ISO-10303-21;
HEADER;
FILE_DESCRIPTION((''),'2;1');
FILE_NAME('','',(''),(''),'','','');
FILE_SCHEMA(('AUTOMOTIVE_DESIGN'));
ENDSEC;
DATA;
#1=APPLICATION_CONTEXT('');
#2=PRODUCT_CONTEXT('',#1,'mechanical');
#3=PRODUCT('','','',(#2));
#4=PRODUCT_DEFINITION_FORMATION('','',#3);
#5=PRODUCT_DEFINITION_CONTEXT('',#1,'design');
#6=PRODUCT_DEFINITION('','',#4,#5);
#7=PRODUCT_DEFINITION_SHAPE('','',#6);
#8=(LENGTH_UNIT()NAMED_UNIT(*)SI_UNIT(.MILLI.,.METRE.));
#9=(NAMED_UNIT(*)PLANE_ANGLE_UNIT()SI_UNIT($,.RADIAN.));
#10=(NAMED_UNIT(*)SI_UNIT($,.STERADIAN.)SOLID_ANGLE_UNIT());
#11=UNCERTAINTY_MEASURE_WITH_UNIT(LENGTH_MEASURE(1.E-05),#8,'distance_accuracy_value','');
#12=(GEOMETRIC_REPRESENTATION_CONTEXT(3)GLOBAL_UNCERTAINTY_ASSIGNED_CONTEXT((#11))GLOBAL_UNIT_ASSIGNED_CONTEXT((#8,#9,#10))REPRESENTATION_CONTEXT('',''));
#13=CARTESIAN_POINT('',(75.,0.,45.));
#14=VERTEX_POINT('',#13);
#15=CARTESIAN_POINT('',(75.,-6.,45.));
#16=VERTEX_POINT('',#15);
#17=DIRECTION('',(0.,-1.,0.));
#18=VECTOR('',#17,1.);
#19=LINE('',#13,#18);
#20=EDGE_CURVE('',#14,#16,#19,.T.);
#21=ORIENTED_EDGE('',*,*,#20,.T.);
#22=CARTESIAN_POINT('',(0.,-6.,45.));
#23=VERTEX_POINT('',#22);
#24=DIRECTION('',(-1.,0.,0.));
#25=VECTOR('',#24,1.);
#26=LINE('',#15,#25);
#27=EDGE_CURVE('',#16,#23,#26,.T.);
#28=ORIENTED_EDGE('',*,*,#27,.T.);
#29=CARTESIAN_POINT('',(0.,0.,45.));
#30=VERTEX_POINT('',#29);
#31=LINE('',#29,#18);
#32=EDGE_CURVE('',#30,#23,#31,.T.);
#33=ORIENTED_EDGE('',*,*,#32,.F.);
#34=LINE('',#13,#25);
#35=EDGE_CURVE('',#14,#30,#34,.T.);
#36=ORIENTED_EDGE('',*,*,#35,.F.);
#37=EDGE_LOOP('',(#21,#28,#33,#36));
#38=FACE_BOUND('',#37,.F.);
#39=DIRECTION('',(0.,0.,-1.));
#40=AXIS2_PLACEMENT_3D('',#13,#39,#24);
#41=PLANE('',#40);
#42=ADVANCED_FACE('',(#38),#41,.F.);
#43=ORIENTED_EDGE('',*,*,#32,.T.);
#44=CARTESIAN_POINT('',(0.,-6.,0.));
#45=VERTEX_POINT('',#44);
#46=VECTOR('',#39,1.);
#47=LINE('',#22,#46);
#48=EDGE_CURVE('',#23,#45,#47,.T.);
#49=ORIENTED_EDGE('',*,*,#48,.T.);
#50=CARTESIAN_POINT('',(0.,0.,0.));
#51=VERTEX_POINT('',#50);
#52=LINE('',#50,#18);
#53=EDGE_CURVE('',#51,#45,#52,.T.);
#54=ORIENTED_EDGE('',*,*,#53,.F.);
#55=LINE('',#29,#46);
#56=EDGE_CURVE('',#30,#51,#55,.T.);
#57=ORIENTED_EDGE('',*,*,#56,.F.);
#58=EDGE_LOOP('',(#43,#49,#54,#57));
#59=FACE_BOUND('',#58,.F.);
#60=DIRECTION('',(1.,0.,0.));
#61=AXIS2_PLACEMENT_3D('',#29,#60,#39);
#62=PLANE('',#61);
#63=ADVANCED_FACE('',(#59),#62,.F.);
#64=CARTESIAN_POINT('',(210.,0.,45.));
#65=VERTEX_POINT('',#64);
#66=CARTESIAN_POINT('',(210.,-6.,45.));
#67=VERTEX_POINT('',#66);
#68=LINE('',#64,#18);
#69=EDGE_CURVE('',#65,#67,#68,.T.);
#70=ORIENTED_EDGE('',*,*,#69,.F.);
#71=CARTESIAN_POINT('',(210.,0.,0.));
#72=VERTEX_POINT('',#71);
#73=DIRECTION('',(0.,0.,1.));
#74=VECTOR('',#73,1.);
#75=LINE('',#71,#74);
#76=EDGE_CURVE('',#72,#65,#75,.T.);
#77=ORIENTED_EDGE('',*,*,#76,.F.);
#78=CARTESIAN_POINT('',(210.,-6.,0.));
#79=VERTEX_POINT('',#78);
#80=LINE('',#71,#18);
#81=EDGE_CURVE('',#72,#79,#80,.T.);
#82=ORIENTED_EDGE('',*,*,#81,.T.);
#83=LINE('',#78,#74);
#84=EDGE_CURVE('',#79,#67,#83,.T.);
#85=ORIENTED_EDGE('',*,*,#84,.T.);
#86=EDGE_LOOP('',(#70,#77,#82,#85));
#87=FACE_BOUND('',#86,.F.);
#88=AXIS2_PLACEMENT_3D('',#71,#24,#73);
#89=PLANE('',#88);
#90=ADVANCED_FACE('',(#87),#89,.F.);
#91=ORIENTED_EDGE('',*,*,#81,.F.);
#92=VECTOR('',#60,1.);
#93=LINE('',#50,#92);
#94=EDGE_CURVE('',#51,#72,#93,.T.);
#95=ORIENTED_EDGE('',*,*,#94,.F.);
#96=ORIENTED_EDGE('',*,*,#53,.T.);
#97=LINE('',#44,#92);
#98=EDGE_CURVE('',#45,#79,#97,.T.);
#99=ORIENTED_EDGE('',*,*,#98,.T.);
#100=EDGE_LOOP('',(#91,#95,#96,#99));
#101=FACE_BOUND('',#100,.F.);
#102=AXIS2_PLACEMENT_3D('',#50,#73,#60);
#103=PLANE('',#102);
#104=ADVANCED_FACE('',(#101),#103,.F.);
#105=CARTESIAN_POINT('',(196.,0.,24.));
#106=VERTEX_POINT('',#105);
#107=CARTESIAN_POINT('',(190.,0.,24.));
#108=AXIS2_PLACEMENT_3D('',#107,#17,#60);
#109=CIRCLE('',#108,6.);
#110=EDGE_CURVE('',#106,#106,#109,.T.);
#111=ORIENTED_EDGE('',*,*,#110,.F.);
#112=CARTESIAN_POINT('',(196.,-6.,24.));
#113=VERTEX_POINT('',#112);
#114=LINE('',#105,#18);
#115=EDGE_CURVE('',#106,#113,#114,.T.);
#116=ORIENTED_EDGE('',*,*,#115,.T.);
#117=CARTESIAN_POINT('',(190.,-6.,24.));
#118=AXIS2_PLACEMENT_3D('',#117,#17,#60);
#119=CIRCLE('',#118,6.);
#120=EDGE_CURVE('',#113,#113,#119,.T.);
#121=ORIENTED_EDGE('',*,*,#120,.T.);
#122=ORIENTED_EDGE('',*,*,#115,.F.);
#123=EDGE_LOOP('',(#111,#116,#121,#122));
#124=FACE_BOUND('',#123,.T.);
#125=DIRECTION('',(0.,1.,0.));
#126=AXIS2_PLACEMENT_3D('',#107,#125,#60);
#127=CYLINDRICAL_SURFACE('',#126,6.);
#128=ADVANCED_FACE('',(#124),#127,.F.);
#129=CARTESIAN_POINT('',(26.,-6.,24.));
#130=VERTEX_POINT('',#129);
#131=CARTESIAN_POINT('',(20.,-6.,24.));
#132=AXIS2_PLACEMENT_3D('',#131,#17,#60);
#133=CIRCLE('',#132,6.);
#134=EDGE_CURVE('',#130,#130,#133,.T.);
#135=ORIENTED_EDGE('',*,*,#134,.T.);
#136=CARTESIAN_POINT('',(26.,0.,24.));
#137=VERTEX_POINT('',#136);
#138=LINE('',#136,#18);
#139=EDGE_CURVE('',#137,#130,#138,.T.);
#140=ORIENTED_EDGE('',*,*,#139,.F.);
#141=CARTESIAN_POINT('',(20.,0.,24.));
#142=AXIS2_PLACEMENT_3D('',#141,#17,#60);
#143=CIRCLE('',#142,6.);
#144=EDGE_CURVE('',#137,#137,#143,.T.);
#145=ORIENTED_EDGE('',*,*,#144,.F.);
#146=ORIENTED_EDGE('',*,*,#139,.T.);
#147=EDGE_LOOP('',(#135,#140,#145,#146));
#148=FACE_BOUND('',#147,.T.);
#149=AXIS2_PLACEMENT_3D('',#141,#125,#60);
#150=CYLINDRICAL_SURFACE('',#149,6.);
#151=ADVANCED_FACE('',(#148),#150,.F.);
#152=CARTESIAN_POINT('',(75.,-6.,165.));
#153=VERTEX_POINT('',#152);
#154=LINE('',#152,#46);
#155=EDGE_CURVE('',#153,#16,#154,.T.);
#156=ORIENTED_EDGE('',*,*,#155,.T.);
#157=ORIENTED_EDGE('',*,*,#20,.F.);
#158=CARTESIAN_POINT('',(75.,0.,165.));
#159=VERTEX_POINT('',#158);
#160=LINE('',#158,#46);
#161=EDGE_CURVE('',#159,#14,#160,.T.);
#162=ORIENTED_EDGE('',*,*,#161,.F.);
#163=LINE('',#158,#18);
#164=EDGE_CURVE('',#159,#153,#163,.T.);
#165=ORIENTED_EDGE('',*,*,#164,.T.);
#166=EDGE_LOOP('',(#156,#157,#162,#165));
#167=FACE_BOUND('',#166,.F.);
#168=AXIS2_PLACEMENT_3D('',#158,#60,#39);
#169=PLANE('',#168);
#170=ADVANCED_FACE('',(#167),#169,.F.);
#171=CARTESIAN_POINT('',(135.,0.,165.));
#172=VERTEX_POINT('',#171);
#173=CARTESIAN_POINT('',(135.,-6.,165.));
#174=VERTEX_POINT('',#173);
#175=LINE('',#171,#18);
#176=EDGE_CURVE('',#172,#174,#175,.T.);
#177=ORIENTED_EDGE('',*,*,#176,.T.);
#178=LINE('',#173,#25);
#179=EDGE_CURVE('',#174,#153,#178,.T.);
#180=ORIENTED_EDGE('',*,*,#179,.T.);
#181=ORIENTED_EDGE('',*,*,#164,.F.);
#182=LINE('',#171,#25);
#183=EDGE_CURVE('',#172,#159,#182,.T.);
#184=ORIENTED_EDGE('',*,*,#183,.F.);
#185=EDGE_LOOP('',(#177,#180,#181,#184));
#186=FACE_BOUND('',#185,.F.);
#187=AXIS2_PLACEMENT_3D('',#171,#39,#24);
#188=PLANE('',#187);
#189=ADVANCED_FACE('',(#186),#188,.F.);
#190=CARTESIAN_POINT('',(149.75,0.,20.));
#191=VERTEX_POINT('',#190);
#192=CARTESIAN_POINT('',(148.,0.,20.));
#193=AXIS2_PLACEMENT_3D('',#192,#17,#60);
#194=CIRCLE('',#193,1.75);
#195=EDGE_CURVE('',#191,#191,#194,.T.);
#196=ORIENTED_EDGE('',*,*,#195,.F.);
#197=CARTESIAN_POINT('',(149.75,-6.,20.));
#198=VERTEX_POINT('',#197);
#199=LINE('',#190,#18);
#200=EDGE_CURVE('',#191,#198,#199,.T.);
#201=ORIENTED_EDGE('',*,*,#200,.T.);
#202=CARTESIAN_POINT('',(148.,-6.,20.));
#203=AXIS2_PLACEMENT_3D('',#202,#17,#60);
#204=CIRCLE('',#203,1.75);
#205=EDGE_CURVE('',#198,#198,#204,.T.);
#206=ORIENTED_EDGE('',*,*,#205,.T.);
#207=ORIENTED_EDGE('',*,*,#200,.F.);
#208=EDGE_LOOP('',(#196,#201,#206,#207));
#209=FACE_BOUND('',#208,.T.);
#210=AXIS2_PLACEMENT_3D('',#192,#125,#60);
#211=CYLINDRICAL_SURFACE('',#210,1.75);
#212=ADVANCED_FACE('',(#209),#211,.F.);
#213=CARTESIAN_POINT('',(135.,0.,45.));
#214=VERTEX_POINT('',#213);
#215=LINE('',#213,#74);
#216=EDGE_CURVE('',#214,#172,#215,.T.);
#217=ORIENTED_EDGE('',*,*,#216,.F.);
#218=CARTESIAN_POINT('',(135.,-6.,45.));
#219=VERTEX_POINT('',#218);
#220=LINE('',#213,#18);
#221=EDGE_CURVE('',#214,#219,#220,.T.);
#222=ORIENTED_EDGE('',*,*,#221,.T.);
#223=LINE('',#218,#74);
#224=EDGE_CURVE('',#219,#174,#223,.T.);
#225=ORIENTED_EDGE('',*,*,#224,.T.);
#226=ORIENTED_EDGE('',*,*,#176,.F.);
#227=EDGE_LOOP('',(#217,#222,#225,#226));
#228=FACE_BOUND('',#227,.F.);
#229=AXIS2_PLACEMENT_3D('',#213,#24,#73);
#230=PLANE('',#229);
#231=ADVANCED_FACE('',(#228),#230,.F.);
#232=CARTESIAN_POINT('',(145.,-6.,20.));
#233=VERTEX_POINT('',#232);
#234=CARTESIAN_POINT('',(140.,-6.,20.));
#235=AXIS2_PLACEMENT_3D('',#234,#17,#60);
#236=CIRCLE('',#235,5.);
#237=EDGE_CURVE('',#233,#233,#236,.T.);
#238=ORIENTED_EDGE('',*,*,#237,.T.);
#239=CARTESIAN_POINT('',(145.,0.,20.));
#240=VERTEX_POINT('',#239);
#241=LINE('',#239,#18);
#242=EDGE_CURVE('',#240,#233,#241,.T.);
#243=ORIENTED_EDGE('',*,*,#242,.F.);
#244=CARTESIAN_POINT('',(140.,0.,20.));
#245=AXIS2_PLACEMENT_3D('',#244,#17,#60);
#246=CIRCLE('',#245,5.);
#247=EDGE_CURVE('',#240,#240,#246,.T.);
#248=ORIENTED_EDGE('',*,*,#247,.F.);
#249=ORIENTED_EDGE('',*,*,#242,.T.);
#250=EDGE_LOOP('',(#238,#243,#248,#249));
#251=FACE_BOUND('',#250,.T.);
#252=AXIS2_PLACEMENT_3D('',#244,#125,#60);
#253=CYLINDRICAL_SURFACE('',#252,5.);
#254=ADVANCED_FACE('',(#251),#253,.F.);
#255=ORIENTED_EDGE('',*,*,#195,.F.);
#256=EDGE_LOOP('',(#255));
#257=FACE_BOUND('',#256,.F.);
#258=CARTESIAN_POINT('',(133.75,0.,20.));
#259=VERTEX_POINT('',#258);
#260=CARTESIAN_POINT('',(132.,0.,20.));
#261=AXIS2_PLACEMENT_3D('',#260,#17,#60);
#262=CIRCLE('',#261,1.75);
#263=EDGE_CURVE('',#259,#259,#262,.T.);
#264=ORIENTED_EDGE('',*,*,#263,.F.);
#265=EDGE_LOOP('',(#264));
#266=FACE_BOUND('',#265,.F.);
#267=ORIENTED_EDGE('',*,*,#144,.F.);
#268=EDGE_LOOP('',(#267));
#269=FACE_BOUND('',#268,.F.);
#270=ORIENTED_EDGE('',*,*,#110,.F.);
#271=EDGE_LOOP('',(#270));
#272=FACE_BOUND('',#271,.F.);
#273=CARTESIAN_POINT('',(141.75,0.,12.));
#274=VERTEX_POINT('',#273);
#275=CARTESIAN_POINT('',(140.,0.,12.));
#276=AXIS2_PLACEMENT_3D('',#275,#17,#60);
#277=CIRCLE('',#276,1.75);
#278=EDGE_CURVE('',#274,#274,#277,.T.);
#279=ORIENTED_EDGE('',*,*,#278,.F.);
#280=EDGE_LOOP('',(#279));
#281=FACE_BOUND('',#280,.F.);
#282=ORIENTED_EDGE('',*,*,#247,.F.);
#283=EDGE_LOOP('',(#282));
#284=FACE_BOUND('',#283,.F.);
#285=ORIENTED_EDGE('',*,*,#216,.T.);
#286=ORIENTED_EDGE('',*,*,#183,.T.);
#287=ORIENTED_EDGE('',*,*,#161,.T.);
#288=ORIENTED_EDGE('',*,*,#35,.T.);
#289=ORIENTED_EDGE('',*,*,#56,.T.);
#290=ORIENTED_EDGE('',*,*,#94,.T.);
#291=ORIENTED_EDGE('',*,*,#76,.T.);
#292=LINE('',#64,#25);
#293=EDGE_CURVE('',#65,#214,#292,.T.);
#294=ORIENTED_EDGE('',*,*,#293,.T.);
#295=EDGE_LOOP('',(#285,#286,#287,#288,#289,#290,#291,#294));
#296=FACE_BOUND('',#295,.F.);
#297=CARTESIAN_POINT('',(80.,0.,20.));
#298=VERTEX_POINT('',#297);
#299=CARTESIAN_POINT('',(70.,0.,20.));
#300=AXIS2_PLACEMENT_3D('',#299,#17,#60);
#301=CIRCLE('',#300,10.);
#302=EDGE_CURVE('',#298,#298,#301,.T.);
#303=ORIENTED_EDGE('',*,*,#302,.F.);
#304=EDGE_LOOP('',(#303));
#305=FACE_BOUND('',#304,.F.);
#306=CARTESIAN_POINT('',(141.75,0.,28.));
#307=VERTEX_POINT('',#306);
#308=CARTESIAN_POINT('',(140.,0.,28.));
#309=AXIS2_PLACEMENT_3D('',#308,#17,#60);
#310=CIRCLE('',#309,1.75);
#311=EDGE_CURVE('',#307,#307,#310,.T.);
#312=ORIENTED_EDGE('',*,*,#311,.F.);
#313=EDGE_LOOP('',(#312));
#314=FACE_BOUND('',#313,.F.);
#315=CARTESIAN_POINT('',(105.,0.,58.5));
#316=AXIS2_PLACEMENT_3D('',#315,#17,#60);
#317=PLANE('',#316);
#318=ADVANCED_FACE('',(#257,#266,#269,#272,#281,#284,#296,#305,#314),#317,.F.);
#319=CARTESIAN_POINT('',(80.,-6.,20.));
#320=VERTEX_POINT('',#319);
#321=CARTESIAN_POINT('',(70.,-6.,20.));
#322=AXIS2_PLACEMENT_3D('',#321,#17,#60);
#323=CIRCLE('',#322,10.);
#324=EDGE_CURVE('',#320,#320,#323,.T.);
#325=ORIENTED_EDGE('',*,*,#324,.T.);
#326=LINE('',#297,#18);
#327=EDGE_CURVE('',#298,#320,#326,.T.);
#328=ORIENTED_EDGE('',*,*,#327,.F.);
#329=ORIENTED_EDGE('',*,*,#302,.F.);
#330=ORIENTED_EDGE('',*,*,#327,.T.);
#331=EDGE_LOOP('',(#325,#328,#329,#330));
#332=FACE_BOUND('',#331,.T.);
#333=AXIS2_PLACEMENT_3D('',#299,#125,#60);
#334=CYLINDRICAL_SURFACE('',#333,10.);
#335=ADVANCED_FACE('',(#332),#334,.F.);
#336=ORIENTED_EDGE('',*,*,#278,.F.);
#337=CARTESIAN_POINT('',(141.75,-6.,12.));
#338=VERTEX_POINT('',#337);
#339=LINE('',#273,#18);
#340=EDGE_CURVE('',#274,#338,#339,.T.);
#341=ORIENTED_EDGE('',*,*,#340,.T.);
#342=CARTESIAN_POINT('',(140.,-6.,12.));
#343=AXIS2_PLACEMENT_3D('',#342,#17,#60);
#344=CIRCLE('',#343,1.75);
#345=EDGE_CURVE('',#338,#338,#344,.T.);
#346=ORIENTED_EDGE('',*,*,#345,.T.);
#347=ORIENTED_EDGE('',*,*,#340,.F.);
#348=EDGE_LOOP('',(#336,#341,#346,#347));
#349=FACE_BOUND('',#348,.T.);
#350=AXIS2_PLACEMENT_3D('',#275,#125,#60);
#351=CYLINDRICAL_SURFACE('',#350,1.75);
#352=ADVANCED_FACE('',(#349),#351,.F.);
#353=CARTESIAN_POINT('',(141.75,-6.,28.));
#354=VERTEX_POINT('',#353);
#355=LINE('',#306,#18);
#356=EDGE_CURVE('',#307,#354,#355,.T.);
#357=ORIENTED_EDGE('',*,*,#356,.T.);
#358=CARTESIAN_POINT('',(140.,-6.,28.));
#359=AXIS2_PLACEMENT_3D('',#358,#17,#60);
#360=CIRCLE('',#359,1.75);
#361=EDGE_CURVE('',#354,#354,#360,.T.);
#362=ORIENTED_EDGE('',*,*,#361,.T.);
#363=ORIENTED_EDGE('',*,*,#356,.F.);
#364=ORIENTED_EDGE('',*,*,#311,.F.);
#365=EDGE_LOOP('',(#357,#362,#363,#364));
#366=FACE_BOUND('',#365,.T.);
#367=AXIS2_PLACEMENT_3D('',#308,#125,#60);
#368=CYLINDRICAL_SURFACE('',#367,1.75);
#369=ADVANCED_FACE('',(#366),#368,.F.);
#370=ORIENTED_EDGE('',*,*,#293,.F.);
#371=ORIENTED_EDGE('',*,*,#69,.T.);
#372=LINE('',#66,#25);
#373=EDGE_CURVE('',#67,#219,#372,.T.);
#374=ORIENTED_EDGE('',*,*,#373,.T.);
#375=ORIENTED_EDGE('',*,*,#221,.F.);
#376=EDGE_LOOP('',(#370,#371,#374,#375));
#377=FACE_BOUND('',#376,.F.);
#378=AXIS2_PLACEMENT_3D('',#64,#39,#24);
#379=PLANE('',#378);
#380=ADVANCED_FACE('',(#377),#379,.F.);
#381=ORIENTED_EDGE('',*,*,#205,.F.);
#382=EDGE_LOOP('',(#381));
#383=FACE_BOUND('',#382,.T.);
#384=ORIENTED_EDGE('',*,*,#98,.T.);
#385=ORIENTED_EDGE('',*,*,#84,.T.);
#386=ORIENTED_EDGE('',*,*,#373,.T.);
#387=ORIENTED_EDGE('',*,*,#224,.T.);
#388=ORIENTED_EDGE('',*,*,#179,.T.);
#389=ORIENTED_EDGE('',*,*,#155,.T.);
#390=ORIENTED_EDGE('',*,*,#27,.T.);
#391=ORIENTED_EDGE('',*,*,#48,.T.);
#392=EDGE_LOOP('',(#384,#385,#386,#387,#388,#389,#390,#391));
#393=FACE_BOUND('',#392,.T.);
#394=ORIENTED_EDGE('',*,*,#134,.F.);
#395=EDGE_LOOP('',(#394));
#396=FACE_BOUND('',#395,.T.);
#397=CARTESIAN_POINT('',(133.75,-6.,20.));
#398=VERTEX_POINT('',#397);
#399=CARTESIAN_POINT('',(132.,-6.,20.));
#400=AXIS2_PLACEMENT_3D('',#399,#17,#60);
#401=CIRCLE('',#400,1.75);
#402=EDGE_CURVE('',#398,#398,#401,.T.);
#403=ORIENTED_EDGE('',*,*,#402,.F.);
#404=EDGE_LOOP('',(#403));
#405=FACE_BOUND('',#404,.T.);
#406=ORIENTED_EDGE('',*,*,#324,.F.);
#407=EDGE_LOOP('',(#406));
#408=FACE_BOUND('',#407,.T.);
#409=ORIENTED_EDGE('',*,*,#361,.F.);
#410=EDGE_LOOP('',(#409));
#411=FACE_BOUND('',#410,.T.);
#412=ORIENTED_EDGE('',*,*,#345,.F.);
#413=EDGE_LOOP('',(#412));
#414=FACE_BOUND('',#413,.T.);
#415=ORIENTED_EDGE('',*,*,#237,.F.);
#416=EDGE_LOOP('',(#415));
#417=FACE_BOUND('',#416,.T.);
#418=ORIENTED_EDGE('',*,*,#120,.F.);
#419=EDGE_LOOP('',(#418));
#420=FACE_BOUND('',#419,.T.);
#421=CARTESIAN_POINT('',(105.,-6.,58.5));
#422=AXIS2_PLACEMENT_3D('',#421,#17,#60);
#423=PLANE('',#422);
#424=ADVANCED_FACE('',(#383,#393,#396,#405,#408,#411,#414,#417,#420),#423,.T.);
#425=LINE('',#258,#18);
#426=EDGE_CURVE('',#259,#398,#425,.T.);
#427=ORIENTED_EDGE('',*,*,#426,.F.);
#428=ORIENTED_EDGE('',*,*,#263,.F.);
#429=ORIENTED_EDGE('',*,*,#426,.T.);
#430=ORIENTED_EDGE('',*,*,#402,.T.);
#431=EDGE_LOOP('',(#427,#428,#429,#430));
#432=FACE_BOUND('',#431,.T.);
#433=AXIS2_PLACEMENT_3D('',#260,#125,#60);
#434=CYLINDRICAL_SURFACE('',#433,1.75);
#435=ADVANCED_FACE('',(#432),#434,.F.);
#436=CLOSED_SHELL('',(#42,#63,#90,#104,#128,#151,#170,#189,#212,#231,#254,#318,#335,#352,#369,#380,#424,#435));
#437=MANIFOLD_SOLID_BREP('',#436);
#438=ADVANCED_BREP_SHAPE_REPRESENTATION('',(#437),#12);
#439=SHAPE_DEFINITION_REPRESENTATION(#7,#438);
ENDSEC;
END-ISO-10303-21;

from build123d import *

# Parameters (mm, degrees)
SKETCH_R   = 10
SKETCH_R_2 = 5
SKETCH_R_3 = 6
SKETCH_R_4 = 1.75
PAD_DEPTH  = 6


with BuildPart() as part:
    # Sketch → Pad (new body)
    with BuildSketch(Plane.XZ):
        Polygon((0, 0), (210, 0), (210, 45), (135, 45), (135, 165), (75, 165), (75, 45), (0, 45), align=None)
        with Locations((70, 20)):
            Circle(SKETCH_R, mode=Mode.SUBTRACT)
        with Locations((140, 20)):
            Circle(SKETCH_R_2, mode=Mode.SUBTRACT)
        with Locations((20, 24)):
            Circle(SKETCH_R_3, mode=Mode.SUBTRACT)
        with Locations((190, 24)):
            Circle(SKETCH_R_3, mode=Mode.SUBTRACT)
        with Locations((140, 28)):
            Circle(SKETCH_R_4, mode=Mode.SUBTRACT)
        with Locations((132, 20)):
            Circle(SKETCH_R_4, mode=Mode.SUBTRACT)
        with Locations((140, 12)):
            Circle(SKETCH_R_4, mode=Mode.SUBTRACT)
        with Locations((148, 20)):
            Circle(SKETCH_R_4, mode=Mode.SUBTRACT)
    extrude(amount=PAD_DEPTH)


solid = part.part
